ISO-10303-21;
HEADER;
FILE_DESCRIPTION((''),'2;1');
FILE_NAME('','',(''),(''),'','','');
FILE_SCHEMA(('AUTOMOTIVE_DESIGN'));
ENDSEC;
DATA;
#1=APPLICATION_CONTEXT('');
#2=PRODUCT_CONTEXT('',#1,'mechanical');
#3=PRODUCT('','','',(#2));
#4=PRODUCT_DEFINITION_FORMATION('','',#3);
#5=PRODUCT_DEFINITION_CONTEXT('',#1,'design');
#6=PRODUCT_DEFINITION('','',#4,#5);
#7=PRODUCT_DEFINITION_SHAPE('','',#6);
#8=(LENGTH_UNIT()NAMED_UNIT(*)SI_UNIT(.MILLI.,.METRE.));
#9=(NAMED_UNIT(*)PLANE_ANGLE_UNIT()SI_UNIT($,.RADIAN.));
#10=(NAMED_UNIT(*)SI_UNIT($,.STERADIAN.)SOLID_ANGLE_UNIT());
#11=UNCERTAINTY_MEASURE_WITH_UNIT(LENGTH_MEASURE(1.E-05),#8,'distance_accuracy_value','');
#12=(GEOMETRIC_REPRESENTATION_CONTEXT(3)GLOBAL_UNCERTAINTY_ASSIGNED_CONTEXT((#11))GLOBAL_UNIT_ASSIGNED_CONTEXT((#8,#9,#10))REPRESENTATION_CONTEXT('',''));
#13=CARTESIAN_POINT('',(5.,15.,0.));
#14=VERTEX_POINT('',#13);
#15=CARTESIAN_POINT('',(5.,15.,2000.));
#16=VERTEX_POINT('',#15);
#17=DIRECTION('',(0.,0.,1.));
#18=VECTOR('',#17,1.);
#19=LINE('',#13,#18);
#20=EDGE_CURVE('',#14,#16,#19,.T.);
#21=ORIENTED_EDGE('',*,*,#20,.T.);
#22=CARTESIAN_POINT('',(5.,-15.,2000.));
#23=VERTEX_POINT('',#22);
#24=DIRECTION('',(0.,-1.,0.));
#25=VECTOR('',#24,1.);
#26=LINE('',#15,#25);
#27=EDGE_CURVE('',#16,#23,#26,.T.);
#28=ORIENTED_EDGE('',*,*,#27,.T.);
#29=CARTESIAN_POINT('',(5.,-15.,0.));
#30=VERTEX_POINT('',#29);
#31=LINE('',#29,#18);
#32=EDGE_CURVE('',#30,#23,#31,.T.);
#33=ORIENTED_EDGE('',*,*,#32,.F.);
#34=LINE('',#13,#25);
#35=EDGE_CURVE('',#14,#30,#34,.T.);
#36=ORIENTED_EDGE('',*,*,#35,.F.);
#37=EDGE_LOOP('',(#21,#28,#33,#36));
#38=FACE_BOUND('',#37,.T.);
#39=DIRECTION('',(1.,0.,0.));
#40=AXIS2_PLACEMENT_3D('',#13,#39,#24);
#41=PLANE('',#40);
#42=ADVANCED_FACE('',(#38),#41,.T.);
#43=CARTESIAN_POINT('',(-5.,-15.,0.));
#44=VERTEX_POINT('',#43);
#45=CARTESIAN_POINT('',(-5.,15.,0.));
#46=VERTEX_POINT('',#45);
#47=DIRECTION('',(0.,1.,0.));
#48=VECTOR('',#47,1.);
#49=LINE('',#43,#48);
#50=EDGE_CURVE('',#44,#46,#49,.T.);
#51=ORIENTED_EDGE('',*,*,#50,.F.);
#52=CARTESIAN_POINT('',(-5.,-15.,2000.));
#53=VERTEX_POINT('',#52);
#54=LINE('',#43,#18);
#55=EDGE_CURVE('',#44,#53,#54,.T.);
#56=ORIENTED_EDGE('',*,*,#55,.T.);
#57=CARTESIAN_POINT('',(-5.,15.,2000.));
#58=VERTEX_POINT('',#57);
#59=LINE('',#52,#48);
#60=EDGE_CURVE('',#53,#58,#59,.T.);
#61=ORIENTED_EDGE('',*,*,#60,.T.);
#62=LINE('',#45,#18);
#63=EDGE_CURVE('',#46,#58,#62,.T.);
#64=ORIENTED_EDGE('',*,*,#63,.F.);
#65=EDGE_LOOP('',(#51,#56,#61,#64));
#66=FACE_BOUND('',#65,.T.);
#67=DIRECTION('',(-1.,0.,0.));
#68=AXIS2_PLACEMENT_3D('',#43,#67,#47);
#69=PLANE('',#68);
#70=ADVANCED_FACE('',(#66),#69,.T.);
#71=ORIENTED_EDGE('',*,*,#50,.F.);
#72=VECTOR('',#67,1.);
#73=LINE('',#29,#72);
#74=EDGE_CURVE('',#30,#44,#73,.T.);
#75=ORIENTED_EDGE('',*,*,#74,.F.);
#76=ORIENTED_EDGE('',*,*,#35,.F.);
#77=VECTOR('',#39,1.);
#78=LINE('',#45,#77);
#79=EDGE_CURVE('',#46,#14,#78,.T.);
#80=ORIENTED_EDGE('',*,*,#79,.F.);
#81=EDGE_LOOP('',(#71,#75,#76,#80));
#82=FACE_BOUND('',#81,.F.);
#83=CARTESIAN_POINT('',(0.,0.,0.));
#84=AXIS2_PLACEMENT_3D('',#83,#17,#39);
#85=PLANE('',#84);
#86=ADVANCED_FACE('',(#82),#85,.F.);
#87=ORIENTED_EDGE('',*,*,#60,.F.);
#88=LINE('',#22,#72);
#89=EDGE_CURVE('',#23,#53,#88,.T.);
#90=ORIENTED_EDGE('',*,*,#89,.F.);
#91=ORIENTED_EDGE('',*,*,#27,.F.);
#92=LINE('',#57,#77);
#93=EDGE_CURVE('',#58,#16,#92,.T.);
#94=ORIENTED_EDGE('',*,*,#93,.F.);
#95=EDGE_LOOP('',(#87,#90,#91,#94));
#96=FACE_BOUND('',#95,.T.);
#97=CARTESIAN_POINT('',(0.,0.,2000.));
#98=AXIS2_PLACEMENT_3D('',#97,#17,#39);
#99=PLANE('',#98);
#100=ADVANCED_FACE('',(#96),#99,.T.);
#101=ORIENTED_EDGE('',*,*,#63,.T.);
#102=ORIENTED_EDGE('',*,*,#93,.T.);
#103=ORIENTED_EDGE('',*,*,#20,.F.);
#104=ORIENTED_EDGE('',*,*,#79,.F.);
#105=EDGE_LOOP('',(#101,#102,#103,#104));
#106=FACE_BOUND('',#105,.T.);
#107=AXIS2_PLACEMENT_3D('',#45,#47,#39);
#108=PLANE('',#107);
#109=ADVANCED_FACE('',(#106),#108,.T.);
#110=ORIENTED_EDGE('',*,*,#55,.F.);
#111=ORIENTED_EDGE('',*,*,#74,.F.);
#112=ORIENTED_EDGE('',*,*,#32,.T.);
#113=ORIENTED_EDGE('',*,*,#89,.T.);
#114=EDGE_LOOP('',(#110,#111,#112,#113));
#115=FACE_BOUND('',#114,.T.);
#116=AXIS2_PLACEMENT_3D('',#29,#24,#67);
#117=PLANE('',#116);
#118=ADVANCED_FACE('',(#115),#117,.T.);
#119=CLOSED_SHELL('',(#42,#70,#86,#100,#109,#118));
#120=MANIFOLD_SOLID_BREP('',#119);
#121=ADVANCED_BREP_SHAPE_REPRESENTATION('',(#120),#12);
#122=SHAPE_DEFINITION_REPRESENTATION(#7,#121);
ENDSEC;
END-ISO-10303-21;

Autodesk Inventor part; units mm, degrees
ref_plane "YZ Plane" through (0, 0, 0) normal (1, 0, 0) x (0, 1, 0)
ref_plane "Plano inicial" through (0, 0, 0) normal (0, 0, 1) x (1, 0, 0)
ref_plane "Plano final" through (0, 0, 2000) normal (0, 0, 1) x (1, 0, 0)
sketch "Rascunho" plane through (0, 0, 0) normal (0, 0, 1) x (1, 0, 0)
  line L0 (5, -15) -> (-5, -15)
  line L1 (-5, -15) -> (-5, 15)
  line L2 (-5, 15) -> (5, 15)
  line L3 (5, 15) -> (5, -15)
  line L4 (-6, 0) -> (8, 0) construction
  line L5 (0, -30) -> (0, 40) construction
  line L6 (0, 54) -> (0, -44) construction
  line L7 (-9.2, 0) -> (13.2, 0) construction
  dimension "d0" = 30
  dimension "d1" = 10
  dimension "d4" = 5
  dimension "d5" = 15
extrude "Corpo" add sketch "Rascunho" along normal up to surface (2000 mm away) from surface at 0
sketch "Sketch3" plane through (0, 0, 0) normal (0, 0, 1) x (1, 0, 0)
  line L0 (0, 0) -> (10, 0)
ref_plane "Work Plane3" through (0, 0, 0) normal (0, -1, 0) x (1, 0, 0)
sketch "Sketch4" plane through (0, 0, 0) normal (0, -1, 0) x (1, 0, 0)
  line L0 (-2, 0) -> (12, 0) projected
  line L1 (-2, 2000) -> (12, 2000) projected
  dimension "d9" = 2000
equation "\"d0\" = G_W"
equation "\"d1\" = G_H"
equation "\"d4\" = 0.5 * d1"
equation "\"d5\" = 0.5 * d0"
equation "\"d2\" = G_L"
equation "\"G_W\" = 30"
equation "\"G_H\" = 10"
equation "\"G_L\" = d9"
equation "\"G_OFFSET_START\" = 0"
equation "\"G_OFFSET_END\" = 0"
properties part number "DIN EN 10278 - 30 x 10 - 2000" material "Aço, suave"
